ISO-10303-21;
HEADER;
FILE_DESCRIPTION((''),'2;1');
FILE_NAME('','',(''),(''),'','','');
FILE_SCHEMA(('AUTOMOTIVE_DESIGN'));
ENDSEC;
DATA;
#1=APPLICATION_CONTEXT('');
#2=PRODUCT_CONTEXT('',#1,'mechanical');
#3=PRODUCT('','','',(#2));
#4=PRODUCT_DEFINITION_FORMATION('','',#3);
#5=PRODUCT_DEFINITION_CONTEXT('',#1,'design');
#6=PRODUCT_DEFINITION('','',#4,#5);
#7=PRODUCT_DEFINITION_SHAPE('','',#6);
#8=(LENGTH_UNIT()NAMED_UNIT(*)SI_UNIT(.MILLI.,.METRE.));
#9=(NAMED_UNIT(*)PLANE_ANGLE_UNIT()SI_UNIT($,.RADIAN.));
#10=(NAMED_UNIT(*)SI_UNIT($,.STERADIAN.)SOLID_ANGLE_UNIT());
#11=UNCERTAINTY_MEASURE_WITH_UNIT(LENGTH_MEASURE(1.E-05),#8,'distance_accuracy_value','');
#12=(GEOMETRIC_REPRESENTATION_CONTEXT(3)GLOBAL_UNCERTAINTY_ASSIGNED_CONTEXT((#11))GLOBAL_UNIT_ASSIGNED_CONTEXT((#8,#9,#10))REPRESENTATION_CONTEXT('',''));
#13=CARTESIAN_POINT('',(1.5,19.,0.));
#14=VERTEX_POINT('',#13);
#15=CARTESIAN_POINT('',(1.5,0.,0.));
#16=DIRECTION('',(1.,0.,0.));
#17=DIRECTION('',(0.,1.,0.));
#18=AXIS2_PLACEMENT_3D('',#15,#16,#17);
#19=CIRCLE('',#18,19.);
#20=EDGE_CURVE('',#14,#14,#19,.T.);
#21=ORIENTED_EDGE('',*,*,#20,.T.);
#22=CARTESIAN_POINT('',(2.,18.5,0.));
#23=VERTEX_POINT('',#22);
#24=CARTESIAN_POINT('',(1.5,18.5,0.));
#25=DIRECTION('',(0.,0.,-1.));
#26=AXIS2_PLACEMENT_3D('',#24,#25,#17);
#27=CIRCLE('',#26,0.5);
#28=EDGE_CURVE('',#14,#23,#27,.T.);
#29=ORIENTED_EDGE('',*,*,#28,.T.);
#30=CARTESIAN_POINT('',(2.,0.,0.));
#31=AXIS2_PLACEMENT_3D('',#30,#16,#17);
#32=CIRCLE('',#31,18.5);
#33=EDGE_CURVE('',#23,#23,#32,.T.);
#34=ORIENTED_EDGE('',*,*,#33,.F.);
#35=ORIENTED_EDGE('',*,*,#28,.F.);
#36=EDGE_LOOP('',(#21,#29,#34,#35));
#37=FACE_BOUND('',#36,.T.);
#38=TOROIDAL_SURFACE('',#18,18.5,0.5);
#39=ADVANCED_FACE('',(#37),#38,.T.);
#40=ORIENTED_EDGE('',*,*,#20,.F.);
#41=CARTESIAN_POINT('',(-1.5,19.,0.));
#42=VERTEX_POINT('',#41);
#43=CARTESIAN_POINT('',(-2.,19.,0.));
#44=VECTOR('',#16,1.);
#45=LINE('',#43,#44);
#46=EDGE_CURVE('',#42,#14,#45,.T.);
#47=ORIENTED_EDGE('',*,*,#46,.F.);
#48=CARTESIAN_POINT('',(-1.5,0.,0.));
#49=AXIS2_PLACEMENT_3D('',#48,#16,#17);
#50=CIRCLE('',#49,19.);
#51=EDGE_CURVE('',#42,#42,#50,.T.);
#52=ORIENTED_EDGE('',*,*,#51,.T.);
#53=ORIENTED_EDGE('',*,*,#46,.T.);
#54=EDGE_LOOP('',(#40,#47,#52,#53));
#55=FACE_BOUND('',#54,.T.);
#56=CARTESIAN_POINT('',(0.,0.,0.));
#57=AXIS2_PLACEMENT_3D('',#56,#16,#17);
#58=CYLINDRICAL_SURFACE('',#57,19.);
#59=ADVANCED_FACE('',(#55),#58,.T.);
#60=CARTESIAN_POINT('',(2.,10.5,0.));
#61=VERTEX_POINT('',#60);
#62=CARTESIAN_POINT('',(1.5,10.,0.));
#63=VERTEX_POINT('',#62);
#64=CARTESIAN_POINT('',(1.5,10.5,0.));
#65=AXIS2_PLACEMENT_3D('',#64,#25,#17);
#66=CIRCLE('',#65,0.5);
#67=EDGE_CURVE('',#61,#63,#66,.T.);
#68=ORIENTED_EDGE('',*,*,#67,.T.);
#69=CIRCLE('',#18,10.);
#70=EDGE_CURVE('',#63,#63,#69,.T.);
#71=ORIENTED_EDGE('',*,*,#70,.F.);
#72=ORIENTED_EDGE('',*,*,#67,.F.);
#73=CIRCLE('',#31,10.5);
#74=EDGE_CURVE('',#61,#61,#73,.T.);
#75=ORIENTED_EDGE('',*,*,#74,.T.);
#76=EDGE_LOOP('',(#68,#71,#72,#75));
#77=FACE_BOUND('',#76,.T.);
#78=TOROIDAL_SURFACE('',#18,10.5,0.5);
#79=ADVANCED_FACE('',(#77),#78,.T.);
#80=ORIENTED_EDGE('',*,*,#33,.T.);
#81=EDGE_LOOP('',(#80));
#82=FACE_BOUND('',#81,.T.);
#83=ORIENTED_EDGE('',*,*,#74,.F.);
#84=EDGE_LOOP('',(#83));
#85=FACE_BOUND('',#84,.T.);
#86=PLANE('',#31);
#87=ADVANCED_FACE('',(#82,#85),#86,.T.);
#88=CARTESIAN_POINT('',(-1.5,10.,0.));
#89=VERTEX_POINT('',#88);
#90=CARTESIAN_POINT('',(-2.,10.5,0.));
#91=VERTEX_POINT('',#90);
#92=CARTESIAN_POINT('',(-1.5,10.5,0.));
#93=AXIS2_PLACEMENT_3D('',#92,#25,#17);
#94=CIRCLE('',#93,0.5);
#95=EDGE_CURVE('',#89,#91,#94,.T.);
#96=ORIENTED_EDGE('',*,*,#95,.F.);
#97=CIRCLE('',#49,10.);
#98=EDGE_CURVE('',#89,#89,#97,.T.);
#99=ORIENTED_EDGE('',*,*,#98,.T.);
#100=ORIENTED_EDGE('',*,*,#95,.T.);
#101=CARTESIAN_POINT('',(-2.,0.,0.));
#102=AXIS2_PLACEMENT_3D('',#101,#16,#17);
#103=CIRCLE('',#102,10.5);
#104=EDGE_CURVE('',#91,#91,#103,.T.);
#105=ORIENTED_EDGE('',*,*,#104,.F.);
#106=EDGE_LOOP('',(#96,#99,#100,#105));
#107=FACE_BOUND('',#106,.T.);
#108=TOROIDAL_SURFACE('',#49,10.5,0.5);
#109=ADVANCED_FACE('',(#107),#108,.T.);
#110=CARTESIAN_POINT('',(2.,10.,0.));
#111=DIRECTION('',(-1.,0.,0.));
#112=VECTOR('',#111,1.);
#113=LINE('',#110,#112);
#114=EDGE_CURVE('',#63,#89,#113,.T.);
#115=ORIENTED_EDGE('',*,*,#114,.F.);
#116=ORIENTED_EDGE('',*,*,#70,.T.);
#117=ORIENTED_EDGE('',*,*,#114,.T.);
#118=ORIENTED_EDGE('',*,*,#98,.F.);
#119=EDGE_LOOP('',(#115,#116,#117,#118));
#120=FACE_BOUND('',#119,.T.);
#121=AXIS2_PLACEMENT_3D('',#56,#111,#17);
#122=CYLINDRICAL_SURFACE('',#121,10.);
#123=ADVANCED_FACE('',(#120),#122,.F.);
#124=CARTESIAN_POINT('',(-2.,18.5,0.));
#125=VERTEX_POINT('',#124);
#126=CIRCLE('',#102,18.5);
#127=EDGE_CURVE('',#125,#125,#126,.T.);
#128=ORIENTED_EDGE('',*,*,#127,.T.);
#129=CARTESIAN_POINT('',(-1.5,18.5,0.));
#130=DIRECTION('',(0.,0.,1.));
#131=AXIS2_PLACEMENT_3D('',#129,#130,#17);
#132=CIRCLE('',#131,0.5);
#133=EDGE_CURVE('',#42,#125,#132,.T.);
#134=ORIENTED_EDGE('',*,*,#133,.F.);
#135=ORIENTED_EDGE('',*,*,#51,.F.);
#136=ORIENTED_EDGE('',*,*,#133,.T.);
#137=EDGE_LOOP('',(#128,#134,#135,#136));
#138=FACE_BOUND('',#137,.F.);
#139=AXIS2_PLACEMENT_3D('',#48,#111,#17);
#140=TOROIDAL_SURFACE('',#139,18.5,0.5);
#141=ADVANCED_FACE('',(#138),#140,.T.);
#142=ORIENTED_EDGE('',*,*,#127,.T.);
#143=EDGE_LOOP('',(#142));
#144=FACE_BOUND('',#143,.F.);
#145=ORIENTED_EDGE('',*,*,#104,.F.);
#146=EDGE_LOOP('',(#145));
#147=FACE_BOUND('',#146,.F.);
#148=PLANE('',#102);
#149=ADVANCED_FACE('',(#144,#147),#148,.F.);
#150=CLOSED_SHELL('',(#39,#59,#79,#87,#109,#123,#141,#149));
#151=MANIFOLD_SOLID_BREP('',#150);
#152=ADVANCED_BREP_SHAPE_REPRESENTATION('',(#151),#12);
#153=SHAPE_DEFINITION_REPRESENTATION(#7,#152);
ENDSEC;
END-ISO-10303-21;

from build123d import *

# Parameters (mm, degrees)
F0_R     = 19
F0_R_2   = 10
F1_DEPTH = 2
F2_R     = 0.5


with BuildPart() as f1:
    # F0 (on Right) → F1 (new body, symmetric)
    with BuildSketch(Plane.YZ):
        Circle(F0_R)
        Circle(F0_R_2, mode=Mode.SUBTRACT)
    extrude(amount=F1_DEPTH, both=True)

    # F2
    f2_edges = [f1.edges().sort_by_distance(p)[0] for p in [
        (2, -10, 0),
        (-2, -10, 0),
        (2, -19, 0),
        (-2, -19, 0),
    ]]
    fillet(f2_edges, radius=F2_R)


solid = f1.part
